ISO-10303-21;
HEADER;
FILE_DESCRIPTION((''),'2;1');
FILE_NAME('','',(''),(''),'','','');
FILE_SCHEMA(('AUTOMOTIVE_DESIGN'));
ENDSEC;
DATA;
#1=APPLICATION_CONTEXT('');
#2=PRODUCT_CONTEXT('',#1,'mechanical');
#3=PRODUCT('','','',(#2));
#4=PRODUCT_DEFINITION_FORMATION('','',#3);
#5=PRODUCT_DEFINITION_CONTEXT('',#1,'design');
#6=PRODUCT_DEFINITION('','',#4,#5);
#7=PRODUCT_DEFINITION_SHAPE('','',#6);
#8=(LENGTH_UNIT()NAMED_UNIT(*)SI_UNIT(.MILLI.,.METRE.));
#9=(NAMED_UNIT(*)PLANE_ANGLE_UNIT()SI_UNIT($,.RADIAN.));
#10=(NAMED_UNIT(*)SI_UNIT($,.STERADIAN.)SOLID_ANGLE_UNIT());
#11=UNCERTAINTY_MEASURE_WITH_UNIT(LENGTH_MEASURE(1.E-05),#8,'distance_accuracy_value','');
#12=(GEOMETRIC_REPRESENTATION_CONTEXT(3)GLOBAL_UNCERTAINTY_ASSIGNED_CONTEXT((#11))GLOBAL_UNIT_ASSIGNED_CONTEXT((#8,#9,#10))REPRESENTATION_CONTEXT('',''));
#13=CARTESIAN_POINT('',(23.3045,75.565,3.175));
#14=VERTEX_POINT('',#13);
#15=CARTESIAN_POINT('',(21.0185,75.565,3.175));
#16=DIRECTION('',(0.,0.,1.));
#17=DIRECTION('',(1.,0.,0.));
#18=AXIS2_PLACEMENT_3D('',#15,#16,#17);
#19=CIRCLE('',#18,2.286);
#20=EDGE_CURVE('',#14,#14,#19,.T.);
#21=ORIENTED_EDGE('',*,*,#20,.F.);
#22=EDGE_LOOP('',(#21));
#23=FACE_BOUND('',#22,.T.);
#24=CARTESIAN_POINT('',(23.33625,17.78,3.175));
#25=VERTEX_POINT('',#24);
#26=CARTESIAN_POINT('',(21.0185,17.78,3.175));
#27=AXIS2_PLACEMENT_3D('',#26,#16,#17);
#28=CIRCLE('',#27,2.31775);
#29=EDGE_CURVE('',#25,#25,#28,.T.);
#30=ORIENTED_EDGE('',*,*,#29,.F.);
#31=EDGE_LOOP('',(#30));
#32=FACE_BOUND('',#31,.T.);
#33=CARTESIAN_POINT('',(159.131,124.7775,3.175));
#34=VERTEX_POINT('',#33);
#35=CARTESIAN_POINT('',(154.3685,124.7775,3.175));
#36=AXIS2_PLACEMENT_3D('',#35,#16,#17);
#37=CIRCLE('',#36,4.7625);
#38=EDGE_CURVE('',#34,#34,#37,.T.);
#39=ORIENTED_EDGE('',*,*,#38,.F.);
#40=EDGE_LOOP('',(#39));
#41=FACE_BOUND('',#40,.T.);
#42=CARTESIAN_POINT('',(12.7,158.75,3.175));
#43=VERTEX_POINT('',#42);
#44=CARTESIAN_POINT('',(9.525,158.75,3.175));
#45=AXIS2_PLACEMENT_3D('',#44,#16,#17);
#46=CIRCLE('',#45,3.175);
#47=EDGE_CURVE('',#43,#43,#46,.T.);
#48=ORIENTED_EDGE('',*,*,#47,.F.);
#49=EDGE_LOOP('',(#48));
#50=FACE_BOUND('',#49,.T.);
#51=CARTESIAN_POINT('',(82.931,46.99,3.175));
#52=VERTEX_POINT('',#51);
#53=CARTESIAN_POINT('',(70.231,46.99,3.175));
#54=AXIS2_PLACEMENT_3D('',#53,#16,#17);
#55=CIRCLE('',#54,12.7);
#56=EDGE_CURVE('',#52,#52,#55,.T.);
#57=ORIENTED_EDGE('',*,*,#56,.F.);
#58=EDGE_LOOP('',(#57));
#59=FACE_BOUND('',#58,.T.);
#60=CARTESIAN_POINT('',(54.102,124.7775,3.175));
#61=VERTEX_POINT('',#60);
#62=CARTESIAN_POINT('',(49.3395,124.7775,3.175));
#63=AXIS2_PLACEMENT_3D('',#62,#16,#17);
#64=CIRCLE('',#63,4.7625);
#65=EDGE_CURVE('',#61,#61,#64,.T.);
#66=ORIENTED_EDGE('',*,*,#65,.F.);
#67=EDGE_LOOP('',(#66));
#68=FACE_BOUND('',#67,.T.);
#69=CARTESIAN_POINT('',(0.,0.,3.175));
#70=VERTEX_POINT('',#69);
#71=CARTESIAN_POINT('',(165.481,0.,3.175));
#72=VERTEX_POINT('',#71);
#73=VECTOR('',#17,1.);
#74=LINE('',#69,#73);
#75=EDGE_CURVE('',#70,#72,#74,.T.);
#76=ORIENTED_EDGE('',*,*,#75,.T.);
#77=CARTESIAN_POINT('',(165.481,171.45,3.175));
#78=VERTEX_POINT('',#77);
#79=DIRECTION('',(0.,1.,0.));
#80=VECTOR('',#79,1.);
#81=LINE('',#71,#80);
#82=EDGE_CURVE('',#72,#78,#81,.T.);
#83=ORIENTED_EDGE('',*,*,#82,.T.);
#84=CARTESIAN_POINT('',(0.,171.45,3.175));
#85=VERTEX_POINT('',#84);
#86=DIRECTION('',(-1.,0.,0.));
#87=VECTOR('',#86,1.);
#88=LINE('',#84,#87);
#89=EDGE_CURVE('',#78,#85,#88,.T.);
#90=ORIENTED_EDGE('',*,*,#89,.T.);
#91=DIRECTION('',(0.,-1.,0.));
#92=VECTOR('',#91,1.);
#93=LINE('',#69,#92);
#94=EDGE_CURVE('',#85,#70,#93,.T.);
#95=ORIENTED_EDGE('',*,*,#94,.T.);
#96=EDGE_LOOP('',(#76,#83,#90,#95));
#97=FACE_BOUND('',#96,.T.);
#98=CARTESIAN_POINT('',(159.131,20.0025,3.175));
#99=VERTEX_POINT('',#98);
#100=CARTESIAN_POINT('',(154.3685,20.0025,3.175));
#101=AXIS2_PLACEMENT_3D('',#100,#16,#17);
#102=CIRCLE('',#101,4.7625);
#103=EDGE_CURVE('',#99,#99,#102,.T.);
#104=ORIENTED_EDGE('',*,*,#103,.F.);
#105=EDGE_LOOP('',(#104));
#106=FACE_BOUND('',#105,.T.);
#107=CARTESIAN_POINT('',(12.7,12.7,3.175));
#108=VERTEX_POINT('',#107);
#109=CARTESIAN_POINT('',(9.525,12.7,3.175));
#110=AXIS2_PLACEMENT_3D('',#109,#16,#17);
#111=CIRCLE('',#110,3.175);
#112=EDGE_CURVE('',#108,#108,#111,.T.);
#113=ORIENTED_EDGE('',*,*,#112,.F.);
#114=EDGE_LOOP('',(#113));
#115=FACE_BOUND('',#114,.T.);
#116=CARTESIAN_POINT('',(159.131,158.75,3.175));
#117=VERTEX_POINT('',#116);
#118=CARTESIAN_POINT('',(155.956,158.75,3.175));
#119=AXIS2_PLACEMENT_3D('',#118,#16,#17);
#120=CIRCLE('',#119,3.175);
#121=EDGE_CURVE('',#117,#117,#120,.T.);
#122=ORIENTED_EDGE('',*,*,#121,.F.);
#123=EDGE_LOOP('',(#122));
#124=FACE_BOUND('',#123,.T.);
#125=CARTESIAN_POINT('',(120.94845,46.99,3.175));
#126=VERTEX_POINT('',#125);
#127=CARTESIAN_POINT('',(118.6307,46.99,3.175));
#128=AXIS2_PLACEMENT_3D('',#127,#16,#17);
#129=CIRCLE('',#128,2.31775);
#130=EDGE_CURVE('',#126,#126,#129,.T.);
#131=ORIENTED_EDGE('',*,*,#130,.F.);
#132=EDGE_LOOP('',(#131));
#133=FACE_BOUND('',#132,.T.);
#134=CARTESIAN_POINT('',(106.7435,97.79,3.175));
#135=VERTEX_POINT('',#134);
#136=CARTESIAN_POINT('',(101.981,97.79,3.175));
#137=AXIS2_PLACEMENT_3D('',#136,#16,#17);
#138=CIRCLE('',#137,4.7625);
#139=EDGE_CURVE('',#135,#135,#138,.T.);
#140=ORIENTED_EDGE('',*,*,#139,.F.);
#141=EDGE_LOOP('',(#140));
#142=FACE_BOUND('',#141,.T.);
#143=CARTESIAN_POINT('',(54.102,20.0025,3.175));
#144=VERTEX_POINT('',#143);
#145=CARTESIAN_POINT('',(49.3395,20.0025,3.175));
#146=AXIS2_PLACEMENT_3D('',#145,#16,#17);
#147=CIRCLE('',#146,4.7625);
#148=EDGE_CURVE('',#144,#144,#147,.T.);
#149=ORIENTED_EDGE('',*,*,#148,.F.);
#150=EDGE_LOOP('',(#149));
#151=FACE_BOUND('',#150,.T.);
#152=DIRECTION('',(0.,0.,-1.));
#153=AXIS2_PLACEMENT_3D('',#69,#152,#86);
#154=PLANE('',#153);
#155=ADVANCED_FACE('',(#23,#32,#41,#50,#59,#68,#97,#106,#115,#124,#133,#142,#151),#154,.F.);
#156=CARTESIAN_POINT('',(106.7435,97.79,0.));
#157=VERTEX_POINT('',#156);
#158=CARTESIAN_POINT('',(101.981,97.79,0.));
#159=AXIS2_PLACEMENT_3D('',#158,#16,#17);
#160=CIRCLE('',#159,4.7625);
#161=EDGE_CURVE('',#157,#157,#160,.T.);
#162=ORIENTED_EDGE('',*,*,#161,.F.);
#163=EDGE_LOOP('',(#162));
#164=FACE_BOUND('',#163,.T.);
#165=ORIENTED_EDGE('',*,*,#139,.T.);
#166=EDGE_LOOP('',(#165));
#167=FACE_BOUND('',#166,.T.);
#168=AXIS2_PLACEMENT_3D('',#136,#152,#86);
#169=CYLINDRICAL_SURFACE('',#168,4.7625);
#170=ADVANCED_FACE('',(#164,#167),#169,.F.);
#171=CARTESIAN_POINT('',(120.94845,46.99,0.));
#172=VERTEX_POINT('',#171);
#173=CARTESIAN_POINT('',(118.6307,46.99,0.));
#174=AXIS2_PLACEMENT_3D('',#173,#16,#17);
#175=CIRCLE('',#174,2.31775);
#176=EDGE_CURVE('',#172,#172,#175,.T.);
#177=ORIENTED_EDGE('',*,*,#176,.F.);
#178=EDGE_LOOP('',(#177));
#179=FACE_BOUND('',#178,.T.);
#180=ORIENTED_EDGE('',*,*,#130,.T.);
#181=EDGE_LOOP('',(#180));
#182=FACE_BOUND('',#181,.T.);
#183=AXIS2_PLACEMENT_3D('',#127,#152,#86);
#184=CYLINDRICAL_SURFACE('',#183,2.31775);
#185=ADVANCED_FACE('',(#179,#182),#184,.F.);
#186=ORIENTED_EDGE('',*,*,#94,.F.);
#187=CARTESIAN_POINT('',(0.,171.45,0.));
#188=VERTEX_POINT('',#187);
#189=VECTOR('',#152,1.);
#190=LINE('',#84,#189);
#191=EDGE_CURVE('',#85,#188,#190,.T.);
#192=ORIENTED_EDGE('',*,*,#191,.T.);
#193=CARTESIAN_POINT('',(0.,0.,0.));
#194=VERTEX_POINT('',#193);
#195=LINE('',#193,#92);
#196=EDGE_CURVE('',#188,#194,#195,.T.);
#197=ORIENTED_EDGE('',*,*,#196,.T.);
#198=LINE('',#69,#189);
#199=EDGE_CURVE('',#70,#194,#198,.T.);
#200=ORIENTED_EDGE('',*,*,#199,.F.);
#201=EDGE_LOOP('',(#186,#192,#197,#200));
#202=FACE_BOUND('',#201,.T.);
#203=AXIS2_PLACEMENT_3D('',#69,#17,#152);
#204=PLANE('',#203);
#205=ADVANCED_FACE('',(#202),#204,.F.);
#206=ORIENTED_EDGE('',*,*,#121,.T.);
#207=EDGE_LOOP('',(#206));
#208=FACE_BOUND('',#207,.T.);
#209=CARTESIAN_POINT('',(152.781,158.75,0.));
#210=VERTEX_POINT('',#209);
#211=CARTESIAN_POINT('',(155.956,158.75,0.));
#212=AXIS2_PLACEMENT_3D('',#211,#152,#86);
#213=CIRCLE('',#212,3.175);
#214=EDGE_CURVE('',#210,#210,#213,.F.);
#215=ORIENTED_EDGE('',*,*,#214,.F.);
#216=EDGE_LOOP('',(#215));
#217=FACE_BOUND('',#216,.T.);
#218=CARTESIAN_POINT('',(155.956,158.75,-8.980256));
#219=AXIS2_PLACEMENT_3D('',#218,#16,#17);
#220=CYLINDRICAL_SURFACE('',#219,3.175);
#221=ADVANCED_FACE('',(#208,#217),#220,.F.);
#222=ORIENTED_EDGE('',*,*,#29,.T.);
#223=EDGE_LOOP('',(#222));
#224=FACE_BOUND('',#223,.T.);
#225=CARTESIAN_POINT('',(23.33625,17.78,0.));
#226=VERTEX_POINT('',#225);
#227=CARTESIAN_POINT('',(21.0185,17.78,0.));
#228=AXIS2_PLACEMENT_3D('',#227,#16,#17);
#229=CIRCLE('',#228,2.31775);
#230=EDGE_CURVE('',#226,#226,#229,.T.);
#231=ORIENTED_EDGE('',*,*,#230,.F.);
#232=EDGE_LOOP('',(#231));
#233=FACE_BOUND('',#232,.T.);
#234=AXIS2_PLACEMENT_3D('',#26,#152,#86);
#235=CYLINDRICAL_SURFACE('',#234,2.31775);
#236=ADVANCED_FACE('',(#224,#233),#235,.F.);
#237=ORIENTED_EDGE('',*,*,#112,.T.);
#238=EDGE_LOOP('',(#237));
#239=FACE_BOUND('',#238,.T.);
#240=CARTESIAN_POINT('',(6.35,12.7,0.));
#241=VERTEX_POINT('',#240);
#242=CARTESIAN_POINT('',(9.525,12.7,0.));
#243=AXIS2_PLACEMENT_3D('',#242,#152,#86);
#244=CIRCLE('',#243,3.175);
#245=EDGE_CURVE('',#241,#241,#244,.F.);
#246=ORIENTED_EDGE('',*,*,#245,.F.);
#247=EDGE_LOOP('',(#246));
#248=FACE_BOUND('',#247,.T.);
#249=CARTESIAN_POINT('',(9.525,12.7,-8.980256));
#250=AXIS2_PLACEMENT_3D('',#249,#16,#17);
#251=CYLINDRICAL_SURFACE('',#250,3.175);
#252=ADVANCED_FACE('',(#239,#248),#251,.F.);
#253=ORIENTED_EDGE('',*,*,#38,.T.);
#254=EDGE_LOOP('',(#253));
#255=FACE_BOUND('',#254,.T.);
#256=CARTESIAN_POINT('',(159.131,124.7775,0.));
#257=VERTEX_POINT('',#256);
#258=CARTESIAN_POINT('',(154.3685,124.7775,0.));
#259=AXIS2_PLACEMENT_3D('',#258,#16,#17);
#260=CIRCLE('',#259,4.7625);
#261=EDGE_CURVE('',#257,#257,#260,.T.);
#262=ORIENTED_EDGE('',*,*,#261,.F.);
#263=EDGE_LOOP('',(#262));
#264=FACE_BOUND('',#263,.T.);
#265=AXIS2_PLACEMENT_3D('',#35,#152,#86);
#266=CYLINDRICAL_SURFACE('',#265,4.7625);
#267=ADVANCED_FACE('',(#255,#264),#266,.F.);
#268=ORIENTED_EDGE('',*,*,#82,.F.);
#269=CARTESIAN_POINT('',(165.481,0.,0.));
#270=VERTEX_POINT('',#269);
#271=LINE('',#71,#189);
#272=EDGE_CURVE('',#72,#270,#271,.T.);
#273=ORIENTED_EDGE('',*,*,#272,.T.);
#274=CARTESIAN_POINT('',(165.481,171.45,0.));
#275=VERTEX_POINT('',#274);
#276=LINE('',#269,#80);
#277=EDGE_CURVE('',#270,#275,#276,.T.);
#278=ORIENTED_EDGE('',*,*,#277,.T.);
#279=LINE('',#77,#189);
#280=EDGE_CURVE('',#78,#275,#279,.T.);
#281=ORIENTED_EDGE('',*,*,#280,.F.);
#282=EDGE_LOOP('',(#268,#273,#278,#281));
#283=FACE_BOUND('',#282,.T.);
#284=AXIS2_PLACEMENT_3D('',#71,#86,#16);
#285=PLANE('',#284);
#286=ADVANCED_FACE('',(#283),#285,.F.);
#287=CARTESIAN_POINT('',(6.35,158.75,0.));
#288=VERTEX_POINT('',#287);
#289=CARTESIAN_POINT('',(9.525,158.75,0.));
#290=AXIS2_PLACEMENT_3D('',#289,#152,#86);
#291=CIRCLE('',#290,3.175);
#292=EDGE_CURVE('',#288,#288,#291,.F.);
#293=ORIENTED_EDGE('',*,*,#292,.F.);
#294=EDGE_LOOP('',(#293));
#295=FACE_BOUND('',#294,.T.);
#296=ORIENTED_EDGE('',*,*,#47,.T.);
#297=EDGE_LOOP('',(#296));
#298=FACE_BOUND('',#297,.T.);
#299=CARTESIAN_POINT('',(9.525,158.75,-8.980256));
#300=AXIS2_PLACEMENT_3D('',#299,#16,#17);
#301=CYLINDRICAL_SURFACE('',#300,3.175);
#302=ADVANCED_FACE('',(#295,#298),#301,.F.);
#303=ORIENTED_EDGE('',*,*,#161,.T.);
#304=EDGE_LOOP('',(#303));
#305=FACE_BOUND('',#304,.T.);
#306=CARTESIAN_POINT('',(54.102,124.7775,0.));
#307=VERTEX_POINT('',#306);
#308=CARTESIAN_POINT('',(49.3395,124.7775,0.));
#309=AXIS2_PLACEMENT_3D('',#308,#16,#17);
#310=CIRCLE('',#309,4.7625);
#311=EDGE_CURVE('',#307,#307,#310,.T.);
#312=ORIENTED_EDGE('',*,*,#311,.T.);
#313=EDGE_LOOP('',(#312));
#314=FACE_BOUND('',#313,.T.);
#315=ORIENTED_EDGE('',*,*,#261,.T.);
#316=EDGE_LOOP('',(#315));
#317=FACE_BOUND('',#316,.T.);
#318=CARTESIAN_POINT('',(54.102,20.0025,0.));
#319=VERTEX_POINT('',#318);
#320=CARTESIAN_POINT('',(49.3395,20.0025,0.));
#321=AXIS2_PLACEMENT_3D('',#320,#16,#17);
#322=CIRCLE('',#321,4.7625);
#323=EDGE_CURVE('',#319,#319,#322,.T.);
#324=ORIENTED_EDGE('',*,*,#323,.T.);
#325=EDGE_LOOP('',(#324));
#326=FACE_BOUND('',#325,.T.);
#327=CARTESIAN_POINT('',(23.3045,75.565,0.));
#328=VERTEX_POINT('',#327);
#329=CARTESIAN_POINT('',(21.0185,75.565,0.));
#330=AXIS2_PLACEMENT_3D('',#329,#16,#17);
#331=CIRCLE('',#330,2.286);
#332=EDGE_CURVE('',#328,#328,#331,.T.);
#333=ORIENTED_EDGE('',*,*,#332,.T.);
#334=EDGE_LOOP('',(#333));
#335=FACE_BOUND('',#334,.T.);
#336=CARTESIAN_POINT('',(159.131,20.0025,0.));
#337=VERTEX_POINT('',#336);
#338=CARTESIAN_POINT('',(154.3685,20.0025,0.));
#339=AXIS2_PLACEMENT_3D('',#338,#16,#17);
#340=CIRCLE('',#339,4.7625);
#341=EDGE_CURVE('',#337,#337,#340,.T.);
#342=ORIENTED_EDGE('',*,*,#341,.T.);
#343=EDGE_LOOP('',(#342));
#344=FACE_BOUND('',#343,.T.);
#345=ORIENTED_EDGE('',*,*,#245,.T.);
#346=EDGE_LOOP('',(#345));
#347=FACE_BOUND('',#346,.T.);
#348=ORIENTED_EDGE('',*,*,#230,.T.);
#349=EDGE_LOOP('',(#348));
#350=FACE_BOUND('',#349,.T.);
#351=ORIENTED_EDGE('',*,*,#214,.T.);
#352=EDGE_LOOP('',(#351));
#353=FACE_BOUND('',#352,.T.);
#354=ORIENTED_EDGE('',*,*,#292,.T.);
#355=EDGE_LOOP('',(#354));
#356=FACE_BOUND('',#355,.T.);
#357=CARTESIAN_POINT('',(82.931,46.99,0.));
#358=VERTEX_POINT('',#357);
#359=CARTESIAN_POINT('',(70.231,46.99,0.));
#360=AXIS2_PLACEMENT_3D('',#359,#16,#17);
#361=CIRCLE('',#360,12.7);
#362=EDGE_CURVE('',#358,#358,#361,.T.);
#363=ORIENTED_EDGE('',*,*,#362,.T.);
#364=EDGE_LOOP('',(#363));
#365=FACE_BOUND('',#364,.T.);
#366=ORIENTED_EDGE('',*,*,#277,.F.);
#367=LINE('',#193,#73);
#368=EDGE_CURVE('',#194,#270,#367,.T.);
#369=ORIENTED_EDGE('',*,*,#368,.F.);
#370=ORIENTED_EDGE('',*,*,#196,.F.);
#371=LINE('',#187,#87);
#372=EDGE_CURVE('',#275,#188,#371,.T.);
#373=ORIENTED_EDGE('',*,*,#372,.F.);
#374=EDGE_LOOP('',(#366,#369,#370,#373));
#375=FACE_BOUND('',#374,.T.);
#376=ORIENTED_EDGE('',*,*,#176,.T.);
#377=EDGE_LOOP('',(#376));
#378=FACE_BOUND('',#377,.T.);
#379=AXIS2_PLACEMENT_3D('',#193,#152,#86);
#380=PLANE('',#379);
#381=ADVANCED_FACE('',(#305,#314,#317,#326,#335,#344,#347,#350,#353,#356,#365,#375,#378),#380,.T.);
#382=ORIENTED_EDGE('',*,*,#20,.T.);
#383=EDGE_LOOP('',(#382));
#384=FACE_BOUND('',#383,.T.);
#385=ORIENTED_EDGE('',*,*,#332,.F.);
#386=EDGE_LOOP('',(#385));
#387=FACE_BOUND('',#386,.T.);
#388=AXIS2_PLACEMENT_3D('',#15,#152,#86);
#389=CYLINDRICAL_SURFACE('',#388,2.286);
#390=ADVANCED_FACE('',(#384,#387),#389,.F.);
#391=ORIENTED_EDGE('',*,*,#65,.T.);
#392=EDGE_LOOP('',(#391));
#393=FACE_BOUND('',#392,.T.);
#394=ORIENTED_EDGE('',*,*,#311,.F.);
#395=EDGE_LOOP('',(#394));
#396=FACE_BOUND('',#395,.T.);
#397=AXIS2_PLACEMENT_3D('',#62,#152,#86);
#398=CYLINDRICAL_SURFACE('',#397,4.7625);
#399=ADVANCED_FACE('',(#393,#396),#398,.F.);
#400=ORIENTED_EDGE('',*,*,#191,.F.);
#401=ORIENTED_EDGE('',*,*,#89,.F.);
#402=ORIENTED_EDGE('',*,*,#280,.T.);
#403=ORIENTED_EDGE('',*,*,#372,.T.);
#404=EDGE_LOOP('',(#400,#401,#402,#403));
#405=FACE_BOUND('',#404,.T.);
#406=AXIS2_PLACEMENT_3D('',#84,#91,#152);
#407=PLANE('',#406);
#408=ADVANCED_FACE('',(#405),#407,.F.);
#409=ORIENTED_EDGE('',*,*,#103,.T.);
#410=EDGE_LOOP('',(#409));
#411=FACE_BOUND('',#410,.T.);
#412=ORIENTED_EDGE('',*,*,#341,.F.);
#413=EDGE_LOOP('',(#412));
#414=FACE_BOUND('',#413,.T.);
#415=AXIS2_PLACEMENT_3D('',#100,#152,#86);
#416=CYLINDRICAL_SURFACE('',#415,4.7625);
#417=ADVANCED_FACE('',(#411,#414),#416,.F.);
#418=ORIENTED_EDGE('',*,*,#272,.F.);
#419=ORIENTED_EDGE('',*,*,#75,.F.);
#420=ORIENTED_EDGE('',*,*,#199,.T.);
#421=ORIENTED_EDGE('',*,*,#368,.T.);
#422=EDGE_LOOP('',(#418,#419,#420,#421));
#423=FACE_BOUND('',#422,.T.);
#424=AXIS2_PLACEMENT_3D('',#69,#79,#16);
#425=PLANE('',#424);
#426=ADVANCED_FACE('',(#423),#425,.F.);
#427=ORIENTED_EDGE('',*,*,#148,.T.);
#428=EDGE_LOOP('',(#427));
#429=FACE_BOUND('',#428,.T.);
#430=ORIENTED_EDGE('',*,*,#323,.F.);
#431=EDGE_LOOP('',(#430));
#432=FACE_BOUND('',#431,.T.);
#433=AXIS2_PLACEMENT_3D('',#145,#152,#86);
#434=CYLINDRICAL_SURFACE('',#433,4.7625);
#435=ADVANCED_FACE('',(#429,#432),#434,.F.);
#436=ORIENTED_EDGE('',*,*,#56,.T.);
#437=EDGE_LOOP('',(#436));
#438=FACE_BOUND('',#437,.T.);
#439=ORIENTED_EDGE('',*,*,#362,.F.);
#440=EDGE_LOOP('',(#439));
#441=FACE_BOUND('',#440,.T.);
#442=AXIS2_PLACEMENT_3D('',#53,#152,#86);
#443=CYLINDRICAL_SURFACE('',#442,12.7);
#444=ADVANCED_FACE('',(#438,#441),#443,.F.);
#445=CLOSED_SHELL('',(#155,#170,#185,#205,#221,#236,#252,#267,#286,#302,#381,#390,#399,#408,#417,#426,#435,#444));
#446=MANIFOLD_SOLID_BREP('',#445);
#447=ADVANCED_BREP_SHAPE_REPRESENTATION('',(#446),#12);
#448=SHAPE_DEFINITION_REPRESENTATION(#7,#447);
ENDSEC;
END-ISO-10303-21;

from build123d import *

# Parameters (mm, degrees)
SKETCH1_W           = 165.481
SKETCH1_H           = 171.45
SKETCH1_R           = 2.31775
SKETCH1_R_2         = 2.286
SKETCH1_R_3         = 12.7
SKETCH1_R_4         = 4.7625
BOSS_EXTRUDE1_DEPTH = 3.175
SKETCH2_R           = 3.175
CUT_EXTRUDE1_DEPTH  = 3.175


with BuildPart() as part:
    # Sketch1 → Boss-Extrude1 (new body)
    with BuildSketch(Plane.XY):
        with Locations((82.7405, 85.725)):
            Rectangle(SKETCH1_W, SKETCH1_H)
        with Locations((21.0185, 17.78)):
            Circle(SKETCH1_R, mode=Mode.SUBTRACT)
        with Locations((21.0185, 75.565)):
            Circle(SKETCH1_R_2, mode=Mode.SUBTRACT)
        with Locations((118.6307, 46.99)):
            Circle(SKETCH1_R, mode=Mode.SUBTRACT)
        with Locations((70.231, 46.99)):
            Circle(SKETCH1_R_3, mode=Mode.SUBTRACT)
        with Locations((101.981, 97.79)):
            Circle(SKETCH1_R_4, mode=Mode.SUBTRACT)
        with Locations((49.3395, 20.0025)):
            Circle(SKETCH1_R_4, mode=Mode.SUBTRACT)
        with Locations((49.3395, 124.7775)):
            Circle(SKETCH1_R_4, mode=Mode.SUBTRACT)
        with Locations((154.3685, 20.0025)):
            Circle(SKETCH1_R_4, mode=Mode.SUBTRACT)
        with Locations((154.3685, 124.7775)):
            Circle(SKETCH1_R_4, mode=Mode.SUBTRACT)
    extrude(amount=BOSS_EXTRUDE1_DEPTH)

    # Sketch2 → Cut-Extrude1 (cut)
    with BuildSketch(Plane.XY.offset(3.175)):
        with Locations((9.525, 158.75)):
            Circle(SKETCH2_R)
        with Locations((9.525, 12.7)):
            Circle(SKETCH2_R)
        with Locations((155.956, 158.75)):
            Circle(SKETCH2_R)
    extrude(amount=-CUT_EXTRUDE1_DEPTH, mode=Mode.SUBTRACT)


solid = part.part
